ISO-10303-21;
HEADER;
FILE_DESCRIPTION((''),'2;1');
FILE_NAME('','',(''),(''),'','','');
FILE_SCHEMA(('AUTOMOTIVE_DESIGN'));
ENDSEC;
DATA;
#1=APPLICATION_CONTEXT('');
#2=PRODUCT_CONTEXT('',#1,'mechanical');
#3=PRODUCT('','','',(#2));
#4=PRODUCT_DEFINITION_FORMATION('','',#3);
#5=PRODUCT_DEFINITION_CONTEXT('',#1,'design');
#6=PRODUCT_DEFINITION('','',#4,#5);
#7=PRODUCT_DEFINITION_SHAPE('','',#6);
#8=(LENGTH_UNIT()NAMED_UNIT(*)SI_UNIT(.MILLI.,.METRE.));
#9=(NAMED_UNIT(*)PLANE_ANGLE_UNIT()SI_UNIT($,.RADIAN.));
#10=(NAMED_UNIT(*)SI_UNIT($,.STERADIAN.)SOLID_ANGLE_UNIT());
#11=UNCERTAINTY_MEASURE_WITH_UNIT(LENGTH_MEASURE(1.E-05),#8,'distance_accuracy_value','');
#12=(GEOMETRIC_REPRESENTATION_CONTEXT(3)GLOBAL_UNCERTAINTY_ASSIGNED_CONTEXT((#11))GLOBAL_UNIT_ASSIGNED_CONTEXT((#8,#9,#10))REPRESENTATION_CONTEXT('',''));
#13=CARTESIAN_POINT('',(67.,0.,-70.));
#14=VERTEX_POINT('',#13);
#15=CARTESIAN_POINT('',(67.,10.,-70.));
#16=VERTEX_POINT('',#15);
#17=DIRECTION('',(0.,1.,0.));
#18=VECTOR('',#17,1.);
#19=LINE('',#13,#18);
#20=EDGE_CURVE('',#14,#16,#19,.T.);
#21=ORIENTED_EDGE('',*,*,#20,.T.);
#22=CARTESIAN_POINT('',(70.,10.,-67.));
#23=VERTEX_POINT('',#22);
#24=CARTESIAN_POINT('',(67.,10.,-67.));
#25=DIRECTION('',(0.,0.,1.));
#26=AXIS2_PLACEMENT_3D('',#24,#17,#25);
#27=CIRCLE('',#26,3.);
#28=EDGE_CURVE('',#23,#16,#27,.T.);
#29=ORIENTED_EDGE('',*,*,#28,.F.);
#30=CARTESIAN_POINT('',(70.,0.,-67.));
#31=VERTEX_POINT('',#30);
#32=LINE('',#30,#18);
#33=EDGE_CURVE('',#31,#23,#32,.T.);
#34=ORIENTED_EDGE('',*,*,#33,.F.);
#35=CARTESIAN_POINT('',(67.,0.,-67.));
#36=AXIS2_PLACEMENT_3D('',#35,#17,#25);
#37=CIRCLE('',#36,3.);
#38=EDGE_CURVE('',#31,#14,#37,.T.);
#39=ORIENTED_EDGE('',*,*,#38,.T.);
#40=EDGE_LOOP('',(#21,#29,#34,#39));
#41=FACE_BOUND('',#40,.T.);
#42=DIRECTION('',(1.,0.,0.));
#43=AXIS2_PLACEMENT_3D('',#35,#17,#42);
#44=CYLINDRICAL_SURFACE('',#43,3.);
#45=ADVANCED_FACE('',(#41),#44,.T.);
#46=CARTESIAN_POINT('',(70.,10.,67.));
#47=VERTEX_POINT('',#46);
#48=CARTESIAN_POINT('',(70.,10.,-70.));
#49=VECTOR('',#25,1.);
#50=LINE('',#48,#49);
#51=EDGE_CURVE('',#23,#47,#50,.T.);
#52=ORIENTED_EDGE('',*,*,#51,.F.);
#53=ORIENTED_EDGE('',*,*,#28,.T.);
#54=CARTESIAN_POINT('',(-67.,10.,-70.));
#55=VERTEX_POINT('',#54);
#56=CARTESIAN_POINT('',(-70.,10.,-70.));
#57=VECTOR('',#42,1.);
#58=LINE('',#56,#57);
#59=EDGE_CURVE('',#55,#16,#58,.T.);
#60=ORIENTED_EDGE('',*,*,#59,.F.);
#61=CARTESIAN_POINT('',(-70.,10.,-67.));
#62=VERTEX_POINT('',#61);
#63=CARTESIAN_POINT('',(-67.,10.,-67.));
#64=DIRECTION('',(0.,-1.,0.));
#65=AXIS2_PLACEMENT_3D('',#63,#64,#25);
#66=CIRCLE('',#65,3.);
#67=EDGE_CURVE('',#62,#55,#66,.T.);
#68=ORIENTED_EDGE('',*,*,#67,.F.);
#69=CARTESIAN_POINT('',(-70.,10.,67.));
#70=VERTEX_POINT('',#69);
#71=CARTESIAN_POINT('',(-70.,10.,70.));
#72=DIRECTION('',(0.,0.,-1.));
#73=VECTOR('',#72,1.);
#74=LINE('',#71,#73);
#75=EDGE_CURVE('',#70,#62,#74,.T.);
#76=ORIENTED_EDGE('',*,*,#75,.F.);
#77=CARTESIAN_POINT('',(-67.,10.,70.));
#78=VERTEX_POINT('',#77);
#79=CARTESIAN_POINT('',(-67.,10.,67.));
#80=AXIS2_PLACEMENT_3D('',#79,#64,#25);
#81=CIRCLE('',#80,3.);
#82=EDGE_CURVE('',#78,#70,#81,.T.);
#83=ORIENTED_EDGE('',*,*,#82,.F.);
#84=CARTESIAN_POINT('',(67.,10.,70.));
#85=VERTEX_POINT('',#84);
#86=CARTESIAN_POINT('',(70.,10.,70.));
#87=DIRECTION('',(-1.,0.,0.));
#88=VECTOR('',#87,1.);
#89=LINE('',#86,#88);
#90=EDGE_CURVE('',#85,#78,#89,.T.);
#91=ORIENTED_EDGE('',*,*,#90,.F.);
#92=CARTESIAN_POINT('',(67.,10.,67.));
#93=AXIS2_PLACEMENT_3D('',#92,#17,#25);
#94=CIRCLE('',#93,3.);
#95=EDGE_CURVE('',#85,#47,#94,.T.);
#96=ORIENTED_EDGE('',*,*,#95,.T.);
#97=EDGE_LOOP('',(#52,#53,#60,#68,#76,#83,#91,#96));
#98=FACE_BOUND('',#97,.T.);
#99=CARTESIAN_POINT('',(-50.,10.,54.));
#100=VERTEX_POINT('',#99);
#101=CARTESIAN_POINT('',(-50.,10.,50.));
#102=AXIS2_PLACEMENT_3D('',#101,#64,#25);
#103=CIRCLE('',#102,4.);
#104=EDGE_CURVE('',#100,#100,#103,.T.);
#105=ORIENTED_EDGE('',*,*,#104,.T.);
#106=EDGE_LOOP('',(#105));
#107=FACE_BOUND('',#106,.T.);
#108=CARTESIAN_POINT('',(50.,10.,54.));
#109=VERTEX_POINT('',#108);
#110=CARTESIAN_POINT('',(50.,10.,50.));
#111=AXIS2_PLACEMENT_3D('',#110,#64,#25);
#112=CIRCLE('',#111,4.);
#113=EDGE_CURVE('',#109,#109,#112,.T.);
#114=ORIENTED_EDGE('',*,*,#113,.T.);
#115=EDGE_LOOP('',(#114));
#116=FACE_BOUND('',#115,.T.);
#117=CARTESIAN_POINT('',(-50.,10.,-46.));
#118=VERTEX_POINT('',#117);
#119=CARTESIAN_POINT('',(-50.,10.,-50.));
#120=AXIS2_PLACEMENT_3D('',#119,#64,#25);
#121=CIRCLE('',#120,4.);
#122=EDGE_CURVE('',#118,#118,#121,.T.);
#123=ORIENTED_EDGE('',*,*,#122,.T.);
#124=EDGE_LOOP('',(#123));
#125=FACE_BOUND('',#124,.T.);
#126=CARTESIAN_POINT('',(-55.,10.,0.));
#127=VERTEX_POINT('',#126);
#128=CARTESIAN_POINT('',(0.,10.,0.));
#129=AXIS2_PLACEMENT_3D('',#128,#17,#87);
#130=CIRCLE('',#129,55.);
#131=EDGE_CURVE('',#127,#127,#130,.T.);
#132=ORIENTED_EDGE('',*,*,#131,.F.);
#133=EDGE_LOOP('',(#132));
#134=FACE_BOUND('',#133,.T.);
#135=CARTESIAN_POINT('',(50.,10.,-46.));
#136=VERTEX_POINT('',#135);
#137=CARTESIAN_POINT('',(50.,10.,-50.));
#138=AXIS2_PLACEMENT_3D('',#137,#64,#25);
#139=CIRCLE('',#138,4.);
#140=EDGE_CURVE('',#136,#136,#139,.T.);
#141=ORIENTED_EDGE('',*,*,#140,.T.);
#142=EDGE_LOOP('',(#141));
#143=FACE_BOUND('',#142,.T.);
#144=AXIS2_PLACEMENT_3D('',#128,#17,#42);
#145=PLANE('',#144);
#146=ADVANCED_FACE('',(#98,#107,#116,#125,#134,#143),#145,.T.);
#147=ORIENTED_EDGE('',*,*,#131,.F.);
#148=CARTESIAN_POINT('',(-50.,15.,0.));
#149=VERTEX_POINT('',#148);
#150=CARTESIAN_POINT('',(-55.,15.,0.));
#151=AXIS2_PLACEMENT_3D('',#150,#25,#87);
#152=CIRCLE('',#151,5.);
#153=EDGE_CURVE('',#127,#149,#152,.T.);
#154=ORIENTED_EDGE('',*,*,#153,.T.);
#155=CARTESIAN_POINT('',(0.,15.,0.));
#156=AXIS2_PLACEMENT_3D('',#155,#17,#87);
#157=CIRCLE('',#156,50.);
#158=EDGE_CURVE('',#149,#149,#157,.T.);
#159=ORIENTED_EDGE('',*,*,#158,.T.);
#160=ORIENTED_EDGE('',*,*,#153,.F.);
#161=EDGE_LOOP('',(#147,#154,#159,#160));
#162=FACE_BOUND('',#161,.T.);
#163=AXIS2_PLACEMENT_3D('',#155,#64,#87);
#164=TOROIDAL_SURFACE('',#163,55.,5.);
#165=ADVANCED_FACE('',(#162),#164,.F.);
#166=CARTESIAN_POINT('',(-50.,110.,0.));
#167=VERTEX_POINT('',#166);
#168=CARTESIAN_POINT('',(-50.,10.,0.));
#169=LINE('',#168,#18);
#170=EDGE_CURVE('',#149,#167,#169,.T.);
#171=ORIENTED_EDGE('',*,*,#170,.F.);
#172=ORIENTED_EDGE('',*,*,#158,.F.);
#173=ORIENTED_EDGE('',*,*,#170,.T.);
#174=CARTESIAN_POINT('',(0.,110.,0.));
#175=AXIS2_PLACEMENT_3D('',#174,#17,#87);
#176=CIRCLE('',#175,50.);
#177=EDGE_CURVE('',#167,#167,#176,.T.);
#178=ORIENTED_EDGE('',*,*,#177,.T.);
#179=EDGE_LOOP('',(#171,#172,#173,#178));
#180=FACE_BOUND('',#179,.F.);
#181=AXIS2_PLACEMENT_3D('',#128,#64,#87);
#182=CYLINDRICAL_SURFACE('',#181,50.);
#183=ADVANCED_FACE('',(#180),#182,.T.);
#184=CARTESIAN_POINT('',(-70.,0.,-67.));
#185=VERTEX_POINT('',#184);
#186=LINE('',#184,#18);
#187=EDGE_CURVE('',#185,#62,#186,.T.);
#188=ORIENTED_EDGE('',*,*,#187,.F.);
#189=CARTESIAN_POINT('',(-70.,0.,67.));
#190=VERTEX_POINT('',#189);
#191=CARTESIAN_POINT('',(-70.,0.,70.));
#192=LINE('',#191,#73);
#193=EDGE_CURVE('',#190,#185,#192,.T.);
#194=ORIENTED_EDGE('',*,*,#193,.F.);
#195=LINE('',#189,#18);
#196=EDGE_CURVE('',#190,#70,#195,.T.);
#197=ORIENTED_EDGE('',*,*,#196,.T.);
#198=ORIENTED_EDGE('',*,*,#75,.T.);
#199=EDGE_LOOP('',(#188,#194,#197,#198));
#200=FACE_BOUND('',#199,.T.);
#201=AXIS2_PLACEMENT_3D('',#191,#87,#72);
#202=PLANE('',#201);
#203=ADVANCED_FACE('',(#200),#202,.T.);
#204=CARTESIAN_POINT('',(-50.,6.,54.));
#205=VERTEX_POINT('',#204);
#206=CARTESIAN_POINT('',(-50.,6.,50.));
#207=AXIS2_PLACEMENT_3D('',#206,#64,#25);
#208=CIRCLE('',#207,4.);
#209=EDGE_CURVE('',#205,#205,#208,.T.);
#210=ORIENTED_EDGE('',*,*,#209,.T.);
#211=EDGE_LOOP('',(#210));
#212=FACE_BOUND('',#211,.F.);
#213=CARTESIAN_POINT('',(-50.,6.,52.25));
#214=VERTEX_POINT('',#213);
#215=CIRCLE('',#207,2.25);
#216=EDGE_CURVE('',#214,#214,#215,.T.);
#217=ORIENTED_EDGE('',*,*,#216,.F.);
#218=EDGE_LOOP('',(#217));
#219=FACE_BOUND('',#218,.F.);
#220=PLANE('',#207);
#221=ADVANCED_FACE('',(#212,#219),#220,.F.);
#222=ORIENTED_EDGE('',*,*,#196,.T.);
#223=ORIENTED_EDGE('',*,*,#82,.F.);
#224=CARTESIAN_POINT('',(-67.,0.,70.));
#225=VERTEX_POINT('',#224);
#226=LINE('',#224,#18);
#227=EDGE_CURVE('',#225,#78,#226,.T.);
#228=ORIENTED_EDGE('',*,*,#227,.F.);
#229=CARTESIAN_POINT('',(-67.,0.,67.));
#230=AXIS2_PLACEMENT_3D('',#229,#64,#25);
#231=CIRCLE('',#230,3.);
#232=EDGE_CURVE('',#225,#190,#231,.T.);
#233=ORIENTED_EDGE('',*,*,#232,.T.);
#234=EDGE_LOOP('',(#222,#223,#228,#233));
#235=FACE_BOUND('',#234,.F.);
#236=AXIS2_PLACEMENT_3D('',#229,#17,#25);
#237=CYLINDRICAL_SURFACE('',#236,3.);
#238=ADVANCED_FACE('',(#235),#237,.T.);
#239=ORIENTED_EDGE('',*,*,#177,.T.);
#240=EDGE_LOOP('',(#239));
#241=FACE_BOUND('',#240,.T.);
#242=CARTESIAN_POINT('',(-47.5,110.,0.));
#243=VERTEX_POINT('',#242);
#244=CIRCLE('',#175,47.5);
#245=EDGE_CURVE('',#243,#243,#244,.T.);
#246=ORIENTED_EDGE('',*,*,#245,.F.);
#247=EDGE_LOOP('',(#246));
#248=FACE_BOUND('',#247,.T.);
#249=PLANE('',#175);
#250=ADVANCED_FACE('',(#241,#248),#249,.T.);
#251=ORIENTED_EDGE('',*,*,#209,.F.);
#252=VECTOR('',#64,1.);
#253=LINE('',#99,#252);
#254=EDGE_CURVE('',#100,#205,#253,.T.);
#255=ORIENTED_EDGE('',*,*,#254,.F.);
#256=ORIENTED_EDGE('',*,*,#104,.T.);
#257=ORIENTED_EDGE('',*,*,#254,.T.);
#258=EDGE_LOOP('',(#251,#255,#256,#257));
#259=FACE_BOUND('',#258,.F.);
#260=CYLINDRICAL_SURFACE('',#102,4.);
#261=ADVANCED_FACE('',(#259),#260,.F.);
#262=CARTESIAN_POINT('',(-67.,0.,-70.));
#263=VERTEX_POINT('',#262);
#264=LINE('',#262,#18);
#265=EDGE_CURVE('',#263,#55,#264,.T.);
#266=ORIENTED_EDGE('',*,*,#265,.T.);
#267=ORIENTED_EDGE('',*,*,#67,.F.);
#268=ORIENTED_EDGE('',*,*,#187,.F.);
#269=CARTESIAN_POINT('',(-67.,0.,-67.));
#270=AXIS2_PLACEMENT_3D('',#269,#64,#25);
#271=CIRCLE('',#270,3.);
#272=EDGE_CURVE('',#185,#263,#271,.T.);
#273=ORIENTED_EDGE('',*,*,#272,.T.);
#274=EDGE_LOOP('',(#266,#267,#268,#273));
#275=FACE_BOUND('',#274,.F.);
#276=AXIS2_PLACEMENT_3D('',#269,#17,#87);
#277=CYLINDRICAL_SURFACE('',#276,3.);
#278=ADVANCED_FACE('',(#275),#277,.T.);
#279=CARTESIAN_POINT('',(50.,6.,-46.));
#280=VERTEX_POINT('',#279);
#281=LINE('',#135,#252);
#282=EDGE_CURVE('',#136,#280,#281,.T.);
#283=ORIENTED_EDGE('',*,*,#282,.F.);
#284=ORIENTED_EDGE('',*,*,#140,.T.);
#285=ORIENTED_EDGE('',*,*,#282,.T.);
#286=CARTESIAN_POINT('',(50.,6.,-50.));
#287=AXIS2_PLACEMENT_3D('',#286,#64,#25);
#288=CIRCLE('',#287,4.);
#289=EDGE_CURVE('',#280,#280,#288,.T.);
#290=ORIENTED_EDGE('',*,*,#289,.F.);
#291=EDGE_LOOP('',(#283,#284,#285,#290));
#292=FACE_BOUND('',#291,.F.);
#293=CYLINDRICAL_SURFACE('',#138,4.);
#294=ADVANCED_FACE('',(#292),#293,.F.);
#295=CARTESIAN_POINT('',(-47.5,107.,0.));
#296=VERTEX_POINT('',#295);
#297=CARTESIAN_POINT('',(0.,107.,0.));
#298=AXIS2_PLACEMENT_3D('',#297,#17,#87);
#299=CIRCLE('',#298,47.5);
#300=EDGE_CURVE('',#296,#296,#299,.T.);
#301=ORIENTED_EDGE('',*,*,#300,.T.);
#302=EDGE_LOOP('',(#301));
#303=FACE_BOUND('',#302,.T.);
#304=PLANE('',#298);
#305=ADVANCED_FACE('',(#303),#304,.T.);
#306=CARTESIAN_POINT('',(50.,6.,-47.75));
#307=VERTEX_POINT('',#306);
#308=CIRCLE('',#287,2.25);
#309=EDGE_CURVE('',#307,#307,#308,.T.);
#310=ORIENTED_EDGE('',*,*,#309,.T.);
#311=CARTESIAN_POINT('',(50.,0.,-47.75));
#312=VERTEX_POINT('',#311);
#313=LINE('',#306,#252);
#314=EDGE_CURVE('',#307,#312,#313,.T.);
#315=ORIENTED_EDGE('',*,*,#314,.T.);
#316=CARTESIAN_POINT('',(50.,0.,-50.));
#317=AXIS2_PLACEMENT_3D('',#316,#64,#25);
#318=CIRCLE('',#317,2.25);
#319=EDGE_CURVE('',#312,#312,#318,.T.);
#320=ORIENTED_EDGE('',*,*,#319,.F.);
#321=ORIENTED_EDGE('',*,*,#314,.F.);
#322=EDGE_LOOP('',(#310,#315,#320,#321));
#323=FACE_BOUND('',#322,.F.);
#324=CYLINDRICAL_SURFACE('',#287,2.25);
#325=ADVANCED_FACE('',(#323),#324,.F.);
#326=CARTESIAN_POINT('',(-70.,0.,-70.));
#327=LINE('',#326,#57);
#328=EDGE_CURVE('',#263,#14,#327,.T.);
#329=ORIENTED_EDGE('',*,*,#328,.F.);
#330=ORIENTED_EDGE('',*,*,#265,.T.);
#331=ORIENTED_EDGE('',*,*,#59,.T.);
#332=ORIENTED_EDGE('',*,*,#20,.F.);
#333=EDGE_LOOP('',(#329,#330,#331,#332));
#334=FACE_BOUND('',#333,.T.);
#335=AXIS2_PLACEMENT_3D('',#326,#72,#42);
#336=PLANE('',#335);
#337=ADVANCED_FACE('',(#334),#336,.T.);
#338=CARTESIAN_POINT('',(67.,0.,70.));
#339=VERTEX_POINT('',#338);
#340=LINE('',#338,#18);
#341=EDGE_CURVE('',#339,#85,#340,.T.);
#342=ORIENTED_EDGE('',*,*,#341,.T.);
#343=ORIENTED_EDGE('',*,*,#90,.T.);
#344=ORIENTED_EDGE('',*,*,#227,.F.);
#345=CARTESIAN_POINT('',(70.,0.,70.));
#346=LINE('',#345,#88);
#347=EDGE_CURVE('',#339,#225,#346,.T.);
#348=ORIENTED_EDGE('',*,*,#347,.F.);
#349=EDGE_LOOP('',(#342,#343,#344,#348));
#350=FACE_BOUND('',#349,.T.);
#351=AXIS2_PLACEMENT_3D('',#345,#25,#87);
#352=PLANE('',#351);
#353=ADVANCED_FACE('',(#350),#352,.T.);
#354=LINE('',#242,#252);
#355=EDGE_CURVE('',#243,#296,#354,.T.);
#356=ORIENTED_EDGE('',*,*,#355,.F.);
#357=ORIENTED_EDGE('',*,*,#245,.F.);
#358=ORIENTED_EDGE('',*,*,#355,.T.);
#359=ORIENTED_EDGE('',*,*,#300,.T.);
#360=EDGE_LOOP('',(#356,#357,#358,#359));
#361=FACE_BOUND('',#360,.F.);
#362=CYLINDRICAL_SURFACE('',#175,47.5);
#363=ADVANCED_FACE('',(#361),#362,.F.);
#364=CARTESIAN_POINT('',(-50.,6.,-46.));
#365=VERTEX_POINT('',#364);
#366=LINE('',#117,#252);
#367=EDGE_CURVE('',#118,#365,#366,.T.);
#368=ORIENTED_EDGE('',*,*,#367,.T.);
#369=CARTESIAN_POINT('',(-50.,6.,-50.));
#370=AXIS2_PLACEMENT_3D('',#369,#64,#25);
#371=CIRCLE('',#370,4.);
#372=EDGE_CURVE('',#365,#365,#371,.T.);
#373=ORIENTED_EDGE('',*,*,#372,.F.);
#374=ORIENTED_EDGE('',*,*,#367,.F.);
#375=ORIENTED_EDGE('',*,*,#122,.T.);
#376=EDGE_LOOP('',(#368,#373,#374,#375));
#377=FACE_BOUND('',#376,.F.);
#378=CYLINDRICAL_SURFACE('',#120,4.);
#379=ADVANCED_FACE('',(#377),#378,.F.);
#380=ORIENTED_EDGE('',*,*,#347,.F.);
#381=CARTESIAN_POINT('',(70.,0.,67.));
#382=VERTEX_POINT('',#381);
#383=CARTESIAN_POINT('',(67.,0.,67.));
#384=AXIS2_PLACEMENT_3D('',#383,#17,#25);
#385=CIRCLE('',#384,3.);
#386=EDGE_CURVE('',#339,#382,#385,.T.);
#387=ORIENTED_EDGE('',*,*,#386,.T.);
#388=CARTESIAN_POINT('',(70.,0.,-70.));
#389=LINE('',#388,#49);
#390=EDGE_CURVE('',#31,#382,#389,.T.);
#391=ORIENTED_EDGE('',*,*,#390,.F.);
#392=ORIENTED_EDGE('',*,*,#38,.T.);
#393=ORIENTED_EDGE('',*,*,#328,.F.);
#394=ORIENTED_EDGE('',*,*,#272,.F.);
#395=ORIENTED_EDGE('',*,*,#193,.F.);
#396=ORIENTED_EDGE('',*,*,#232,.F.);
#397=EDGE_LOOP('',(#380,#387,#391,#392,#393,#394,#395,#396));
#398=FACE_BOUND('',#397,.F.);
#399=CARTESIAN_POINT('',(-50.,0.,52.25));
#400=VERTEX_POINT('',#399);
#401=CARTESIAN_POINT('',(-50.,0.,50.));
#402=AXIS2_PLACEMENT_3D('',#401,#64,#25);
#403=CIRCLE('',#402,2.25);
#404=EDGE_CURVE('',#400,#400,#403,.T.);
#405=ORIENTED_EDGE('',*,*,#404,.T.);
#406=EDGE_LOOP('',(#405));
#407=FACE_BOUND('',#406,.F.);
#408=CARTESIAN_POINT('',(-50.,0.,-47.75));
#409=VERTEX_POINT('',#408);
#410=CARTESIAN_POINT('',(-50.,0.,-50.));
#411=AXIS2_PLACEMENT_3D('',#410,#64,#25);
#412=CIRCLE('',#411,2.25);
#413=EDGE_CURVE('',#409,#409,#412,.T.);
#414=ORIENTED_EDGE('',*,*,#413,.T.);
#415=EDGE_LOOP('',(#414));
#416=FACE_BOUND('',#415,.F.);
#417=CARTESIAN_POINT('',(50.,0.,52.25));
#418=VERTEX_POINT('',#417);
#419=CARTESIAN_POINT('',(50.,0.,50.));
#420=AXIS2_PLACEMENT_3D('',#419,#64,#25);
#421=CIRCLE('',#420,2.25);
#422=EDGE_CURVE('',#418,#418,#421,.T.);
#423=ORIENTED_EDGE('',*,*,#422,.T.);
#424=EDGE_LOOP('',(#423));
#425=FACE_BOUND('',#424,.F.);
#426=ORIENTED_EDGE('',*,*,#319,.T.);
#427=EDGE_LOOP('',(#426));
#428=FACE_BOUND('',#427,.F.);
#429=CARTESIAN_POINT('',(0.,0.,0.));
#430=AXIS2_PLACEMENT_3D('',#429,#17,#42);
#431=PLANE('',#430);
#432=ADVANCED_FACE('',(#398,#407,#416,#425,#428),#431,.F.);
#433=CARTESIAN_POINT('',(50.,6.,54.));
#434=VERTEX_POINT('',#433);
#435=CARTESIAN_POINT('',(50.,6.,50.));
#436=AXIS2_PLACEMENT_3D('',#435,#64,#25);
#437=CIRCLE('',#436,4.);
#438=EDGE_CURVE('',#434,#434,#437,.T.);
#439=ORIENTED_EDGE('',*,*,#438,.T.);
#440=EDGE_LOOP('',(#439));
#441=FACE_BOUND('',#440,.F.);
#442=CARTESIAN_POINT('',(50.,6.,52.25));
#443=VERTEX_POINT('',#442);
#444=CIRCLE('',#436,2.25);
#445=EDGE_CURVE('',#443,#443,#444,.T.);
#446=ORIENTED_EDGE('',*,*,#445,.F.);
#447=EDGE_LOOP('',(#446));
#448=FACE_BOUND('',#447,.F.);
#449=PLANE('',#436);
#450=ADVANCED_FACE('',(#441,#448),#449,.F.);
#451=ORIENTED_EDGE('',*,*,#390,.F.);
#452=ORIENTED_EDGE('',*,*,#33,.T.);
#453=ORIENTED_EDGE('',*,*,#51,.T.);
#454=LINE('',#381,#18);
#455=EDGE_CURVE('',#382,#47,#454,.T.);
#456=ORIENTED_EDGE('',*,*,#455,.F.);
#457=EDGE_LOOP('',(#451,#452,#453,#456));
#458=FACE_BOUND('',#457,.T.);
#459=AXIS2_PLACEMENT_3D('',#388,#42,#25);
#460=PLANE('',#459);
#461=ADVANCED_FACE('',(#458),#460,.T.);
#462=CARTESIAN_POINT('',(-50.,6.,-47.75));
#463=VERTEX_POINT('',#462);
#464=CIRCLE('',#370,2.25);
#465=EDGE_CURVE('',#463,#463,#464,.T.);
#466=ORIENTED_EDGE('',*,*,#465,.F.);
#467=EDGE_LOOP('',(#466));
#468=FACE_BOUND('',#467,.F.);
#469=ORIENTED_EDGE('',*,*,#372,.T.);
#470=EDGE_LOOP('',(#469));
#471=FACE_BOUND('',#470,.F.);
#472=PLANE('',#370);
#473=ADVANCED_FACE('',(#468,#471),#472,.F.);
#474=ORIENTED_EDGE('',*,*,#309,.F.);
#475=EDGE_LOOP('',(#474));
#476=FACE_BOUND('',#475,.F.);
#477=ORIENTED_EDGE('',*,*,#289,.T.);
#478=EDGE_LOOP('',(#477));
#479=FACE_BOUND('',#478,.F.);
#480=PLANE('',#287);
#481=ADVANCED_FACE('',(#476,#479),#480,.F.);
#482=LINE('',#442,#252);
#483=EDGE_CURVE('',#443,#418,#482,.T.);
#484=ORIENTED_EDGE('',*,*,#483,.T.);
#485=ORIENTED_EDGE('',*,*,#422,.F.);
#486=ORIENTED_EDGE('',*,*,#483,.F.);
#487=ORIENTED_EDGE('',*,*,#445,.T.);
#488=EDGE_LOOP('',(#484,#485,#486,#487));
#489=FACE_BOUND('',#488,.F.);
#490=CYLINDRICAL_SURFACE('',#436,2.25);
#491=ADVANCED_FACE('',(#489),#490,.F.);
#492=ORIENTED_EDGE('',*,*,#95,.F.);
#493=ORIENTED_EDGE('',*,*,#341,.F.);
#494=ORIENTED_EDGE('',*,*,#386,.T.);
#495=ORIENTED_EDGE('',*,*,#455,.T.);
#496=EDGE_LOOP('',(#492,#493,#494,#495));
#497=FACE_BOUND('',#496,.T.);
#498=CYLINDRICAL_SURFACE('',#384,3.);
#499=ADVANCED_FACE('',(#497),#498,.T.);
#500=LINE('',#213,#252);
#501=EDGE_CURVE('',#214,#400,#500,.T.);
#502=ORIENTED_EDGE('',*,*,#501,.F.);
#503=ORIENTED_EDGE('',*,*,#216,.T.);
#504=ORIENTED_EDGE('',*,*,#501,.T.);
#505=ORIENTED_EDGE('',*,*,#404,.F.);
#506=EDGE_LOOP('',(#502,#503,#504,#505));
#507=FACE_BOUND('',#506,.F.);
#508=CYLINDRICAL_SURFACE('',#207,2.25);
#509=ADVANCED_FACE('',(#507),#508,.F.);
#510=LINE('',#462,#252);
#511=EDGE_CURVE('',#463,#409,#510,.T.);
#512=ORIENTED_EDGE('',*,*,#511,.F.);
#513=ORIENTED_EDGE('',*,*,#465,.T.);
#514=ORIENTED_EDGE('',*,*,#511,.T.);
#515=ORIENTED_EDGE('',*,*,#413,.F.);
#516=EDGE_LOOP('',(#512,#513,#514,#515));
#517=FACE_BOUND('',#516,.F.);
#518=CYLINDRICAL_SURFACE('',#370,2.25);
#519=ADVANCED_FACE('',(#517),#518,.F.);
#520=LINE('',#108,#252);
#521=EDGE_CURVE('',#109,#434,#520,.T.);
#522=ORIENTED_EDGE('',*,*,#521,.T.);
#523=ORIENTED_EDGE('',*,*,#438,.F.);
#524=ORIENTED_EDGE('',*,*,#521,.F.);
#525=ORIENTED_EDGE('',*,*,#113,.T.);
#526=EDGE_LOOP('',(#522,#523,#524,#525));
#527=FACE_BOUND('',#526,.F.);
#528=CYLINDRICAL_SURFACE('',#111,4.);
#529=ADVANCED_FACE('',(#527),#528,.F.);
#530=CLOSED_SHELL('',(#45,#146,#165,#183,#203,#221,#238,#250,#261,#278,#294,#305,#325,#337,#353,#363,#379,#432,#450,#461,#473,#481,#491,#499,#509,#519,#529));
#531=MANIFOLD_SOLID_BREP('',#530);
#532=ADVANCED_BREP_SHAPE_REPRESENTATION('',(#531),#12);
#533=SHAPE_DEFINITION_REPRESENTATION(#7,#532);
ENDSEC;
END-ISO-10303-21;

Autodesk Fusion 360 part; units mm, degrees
sketch "Sketch1" plane through (0, 0, 0) normal (0, 1, 0) x (1, 0, 0)
  line L0 (70, -70) -> (-70, -70)
  line L1 (-70, -70) -> (-70, 70)
  line L2 (-70, 70) -> (70, 70)
  line L3 (70, 70) -> (70, -70)
  line L4 (70, -70) -> (-70, 70) construction
  line L5 (-70, -70) -> (70, 70) construction
  dimension "d1" = 140
  dimension "d2" = 140
extrude "Extrude1" add sketch "Sketch1" along normal blind 10
sketch "Sketch2" plane through (0, 10, 0) normal (0, 1, 0) x (-1, 0, 0)
  line L0 (-70, -70) -> (70, -70)
  line L1 (70, -70) -> (70, 70)
  line L2 (70, 70) -> (-70, 70)
  line L3 (-70, 70) -> (-70, -70)
  circle A0 centre (0, 0) radius 50
  dimension "d5" = 100
extrude "Extrude2" add sketch "Sketch2" along normal blind 100 contours A0
sketch "Sketch3" plane through (0, 0, 0) normal (0, 0, 1) x (1, 0, 0)
  line L0 (-40, 80) -> (40, 80)
  line L1 (40, 80) -> (40, 40)
  line L2 (40, 40) -> (-40, 40)
  line L3 (-40, 40) -> (-40, 80)
  dimension "d8" = 80
  dimension "d9" = 40
  dimension "d10" = 40
  dimension "d11" = 40
sketch "Sketch4" plane through (0, 110, 0) normal (0, 1, 0) x (-1, 0, 0)
  circle A0 centre (0, 0) radius 50
  circle A1 centre (0, 0) radius 47.5
  dimension "d14" = 95
extrude "Extrude4" cut sketch "Sketch4" against normal blind 3 contours A1
sketch "Sketch5" plane through (0, 10, 0) normal (0, 1, 0) x (-1, 0, 0)
  circle A0 centre (0, 0) radius 50
  line L0 (-70, -70) -> (70, -70)
  line L1 (70, -70) -> (70, 70)
  line L2 (70, 70) -> (-70, 70)
  line L3 (-70, 70) -> (-70, -70)
  point P0 (50, -50)
  point P1 (-50, -50)
  point P2 (-50, 50)
  point P3 (50, 50)
  dimension "d17" = 20
  dimension "d18" = 20
  dimension "d19" = 20
  dimension "d20" = 20
  dimension "d21" = 20
  dimension "d22" = 20
  dimension "d23" = 20
  dimension "d24" = 20
hole "Hole1" at (50, 10, -50) at (-50, 10, -50) at (-50, 10, 50) at (50, 10, 50) direction (0, -1, 0) diameter 4.5 depth 40 tip angle 118 counterbore diameter 8 counterbore depth 4
fillet "Fillet1" radius 3 4 edges at (70, 5, 70) (-70, 5, 70) (70, 5, -70) (-70, 5, -70)
fillet "Fillet4" radius 5 1 edges at (46.6164, 10, 18.0808)
